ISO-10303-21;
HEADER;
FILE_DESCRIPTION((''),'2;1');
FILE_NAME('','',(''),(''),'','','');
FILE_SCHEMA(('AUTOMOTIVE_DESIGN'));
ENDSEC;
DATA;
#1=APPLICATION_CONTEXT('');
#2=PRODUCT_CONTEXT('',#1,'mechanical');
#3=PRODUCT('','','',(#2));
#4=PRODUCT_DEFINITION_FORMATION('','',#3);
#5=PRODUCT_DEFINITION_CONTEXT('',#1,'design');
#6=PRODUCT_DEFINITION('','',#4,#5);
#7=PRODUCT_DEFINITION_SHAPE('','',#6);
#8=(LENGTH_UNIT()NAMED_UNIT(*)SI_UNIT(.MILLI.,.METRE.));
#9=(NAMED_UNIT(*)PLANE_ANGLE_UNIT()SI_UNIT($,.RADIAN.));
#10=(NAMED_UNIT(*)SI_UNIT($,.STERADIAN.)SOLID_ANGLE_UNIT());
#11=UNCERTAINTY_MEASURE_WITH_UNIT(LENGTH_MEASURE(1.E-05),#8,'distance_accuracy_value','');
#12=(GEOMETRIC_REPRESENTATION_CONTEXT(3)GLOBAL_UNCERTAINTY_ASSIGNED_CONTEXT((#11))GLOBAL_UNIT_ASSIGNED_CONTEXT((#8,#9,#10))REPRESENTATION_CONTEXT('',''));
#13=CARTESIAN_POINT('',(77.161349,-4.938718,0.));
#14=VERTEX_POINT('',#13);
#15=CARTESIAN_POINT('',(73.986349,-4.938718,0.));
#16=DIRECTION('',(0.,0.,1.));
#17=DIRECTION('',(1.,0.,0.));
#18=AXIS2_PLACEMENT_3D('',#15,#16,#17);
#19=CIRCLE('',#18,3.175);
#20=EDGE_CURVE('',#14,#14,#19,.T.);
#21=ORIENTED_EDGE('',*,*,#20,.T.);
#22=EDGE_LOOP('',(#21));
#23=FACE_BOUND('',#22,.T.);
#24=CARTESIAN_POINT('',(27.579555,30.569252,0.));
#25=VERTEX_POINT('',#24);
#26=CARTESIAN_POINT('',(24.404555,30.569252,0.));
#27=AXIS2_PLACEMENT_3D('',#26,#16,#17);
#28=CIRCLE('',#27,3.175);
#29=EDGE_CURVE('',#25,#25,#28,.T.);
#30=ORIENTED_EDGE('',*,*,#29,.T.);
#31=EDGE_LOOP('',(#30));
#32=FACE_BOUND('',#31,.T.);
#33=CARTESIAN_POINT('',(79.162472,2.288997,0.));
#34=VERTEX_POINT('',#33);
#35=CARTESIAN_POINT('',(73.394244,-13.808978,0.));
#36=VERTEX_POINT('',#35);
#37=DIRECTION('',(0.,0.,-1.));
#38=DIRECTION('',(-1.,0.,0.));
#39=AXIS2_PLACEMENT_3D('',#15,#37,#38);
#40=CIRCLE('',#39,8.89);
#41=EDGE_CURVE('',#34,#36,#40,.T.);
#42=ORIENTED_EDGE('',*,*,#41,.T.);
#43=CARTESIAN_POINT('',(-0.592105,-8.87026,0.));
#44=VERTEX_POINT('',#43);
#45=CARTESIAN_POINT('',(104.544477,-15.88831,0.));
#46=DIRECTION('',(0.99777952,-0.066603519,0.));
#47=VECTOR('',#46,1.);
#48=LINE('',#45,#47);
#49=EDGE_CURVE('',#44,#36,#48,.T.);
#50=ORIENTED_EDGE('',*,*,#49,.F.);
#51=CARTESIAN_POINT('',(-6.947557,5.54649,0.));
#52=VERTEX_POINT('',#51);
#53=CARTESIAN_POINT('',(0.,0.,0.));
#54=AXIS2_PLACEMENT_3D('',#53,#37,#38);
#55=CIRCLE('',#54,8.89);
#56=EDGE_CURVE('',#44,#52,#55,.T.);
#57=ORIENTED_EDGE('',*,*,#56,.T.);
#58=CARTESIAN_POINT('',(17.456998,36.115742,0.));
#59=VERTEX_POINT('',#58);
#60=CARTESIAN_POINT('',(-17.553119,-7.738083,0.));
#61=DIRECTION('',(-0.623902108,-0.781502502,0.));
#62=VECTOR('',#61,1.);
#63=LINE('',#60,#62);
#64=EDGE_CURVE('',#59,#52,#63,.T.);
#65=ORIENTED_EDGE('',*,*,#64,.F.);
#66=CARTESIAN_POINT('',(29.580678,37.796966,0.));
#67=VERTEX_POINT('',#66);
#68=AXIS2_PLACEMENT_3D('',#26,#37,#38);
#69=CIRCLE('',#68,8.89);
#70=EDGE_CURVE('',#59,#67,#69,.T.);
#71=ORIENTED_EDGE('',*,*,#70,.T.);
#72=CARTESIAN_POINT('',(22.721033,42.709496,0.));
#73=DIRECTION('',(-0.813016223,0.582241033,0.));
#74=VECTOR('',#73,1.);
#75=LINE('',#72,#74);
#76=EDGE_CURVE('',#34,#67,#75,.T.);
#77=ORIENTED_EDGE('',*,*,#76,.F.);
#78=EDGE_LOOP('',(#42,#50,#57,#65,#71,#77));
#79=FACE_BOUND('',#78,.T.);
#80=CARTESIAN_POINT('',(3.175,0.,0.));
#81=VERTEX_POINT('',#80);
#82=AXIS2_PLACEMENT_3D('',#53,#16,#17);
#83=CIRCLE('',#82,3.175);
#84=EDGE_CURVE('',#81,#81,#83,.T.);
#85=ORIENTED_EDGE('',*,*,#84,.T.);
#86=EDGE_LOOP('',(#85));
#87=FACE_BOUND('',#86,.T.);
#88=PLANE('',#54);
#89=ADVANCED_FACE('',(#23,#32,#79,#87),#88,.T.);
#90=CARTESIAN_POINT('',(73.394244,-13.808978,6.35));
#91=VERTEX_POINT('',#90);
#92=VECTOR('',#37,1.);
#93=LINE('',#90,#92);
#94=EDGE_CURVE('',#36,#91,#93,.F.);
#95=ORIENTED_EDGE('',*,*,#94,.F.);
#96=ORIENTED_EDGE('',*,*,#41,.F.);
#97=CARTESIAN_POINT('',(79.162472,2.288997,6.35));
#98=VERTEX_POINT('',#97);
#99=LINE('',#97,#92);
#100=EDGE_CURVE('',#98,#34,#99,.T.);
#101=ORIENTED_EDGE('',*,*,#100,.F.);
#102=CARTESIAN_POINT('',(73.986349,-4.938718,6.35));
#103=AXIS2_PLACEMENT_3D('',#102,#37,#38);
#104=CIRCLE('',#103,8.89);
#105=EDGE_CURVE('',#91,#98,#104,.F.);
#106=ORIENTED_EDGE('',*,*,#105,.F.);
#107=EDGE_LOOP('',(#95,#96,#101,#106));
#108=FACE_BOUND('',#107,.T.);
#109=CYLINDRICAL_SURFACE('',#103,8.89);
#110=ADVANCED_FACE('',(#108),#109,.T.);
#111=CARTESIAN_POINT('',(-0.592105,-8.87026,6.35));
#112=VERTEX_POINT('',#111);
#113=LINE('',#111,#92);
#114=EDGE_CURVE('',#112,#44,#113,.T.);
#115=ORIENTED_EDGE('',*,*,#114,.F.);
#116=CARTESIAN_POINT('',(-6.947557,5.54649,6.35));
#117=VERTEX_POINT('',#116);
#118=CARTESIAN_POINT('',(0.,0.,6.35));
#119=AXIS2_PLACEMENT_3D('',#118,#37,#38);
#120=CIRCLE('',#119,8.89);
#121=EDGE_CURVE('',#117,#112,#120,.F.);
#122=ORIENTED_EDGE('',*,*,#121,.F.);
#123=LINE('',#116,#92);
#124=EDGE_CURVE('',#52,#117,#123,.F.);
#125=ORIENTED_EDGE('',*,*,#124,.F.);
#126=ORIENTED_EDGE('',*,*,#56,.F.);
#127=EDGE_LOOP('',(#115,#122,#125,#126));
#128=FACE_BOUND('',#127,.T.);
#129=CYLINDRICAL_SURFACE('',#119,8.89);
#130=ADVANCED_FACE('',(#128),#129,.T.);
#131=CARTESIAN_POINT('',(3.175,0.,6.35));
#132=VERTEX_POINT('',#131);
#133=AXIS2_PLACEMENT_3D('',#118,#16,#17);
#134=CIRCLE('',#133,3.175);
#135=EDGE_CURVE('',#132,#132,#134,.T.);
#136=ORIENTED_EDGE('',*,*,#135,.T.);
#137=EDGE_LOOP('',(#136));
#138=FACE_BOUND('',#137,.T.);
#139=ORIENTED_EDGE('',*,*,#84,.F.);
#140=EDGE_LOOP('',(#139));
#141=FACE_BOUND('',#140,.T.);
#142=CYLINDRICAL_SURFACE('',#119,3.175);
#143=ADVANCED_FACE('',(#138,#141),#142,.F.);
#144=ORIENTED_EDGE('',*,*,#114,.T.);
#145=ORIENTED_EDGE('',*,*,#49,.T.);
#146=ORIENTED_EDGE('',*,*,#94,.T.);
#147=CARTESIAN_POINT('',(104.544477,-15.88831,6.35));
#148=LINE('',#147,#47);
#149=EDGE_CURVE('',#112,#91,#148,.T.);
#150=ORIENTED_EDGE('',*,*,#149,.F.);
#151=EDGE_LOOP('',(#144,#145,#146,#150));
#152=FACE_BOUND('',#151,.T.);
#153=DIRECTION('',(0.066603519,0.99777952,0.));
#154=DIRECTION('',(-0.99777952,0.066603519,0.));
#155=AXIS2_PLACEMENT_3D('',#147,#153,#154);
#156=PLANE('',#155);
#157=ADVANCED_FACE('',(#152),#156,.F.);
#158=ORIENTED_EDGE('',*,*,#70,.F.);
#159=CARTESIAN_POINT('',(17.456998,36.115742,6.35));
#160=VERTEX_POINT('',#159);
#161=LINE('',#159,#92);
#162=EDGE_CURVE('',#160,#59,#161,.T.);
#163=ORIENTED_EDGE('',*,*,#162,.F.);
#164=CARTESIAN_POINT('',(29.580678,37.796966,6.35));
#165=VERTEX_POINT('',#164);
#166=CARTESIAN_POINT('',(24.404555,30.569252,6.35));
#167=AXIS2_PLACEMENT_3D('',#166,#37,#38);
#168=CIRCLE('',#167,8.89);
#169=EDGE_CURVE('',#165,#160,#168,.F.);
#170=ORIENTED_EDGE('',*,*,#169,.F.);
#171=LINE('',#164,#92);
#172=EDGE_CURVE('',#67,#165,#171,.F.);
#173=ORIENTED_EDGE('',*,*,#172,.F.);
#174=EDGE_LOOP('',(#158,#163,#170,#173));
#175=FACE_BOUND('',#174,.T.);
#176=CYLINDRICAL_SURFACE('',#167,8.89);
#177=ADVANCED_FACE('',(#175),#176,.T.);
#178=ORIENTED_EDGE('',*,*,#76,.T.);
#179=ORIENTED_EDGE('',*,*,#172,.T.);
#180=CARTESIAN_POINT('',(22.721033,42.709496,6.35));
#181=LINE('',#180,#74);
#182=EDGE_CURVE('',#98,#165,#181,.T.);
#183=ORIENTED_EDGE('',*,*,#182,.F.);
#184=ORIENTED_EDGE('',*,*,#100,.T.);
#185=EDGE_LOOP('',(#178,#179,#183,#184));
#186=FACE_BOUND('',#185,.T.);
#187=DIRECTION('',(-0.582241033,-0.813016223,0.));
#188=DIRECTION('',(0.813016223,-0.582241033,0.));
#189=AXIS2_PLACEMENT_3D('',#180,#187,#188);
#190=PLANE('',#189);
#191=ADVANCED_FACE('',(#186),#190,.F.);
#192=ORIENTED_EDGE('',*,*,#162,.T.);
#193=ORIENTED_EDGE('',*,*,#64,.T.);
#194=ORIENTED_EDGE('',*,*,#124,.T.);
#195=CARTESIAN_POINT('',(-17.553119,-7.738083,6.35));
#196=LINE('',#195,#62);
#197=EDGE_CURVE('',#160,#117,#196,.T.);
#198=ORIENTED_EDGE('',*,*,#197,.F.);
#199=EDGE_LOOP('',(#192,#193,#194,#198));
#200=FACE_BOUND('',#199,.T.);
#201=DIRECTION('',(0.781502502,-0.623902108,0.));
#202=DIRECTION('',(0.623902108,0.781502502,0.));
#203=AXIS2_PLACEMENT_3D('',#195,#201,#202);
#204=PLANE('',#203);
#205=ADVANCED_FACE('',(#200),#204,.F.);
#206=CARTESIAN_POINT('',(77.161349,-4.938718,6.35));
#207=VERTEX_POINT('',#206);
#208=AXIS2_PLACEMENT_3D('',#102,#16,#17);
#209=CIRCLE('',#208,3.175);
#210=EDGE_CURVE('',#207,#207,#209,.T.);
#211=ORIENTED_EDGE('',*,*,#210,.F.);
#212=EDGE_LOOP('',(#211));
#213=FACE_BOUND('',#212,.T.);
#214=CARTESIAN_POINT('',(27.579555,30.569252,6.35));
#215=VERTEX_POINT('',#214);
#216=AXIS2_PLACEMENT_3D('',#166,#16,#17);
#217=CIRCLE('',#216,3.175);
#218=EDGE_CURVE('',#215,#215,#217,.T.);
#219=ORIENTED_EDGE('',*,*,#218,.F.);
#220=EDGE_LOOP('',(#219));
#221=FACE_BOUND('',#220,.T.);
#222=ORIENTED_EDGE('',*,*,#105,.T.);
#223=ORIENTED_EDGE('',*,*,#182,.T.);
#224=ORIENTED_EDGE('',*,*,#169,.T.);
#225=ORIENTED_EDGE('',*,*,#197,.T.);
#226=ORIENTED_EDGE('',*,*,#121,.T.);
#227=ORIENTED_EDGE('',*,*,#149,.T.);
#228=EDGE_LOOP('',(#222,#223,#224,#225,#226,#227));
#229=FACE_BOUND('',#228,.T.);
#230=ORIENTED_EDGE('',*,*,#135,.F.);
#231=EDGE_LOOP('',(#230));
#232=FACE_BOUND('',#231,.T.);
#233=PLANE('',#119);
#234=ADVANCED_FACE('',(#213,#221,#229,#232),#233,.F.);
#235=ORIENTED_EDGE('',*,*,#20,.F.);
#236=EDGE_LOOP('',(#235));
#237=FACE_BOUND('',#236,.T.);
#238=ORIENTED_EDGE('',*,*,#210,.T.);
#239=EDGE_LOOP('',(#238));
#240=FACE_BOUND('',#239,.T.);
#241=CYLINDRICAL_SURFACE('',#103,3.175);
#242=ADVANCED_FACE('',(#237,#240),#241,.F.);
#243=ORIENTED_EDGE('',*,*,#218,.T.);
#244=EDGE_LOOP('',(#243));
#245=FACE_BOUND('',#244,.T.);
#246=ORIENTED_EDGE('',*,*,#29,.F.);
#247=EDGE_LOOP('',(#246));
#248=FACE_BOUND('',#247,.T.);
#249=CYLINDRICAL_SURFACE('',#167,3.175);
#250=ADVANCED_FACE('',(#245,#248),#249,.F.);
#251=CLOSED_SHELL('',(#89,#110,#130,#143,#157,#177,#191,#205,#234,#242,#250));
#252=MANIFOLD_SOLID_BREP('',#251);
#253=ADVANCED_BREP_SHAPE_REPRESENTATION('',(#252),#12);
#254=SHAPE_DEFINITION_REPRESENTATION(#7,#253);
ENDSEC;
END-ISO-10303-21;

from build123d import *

# Parameters (mm, degrees)
SKETCH1_R           = 3.175
BOSS_EXTRUDE1_DEPTH = 6.35
FILLET1_R           = 8.89


with BuildPart() as part:
    # Sketch1 → Boss-Extrude1 (new body)
    with BuildSketch(Plane.XY):
        Polygon((-17.553118673, -7.738082775), (22.721033398, 42.709495782), (104.544477374, -15.888309799), align=None)
        with Locations((24.404554846, 30.569251852)):
            Circle(SKETCH1_R, mode=Mode.SUBTRACT)
        Circle(SKETCH1_R, mode=Mode.SUBTRACT)
        with Locations((73.986349212, -4.93871757)):
            Circle(SKETCH1_R, mode=Mode.SUBTRACT)
    extrude(amount=BOSS_EXTRUDE1_DEPTH)

    # Fillet1
    fillet1_edges = [part.edges().sort_by_distance(p)[0] for p in [
        (-17.553118673, -7.738082775, 3.175),
        (22.721033398, 42.709495782, 3.175),
        (104.544477374, -15.888309799, 3.175),
    ]]
    fillet(fillet1_edges, radius=FILLET1_R)


solid = part.part
